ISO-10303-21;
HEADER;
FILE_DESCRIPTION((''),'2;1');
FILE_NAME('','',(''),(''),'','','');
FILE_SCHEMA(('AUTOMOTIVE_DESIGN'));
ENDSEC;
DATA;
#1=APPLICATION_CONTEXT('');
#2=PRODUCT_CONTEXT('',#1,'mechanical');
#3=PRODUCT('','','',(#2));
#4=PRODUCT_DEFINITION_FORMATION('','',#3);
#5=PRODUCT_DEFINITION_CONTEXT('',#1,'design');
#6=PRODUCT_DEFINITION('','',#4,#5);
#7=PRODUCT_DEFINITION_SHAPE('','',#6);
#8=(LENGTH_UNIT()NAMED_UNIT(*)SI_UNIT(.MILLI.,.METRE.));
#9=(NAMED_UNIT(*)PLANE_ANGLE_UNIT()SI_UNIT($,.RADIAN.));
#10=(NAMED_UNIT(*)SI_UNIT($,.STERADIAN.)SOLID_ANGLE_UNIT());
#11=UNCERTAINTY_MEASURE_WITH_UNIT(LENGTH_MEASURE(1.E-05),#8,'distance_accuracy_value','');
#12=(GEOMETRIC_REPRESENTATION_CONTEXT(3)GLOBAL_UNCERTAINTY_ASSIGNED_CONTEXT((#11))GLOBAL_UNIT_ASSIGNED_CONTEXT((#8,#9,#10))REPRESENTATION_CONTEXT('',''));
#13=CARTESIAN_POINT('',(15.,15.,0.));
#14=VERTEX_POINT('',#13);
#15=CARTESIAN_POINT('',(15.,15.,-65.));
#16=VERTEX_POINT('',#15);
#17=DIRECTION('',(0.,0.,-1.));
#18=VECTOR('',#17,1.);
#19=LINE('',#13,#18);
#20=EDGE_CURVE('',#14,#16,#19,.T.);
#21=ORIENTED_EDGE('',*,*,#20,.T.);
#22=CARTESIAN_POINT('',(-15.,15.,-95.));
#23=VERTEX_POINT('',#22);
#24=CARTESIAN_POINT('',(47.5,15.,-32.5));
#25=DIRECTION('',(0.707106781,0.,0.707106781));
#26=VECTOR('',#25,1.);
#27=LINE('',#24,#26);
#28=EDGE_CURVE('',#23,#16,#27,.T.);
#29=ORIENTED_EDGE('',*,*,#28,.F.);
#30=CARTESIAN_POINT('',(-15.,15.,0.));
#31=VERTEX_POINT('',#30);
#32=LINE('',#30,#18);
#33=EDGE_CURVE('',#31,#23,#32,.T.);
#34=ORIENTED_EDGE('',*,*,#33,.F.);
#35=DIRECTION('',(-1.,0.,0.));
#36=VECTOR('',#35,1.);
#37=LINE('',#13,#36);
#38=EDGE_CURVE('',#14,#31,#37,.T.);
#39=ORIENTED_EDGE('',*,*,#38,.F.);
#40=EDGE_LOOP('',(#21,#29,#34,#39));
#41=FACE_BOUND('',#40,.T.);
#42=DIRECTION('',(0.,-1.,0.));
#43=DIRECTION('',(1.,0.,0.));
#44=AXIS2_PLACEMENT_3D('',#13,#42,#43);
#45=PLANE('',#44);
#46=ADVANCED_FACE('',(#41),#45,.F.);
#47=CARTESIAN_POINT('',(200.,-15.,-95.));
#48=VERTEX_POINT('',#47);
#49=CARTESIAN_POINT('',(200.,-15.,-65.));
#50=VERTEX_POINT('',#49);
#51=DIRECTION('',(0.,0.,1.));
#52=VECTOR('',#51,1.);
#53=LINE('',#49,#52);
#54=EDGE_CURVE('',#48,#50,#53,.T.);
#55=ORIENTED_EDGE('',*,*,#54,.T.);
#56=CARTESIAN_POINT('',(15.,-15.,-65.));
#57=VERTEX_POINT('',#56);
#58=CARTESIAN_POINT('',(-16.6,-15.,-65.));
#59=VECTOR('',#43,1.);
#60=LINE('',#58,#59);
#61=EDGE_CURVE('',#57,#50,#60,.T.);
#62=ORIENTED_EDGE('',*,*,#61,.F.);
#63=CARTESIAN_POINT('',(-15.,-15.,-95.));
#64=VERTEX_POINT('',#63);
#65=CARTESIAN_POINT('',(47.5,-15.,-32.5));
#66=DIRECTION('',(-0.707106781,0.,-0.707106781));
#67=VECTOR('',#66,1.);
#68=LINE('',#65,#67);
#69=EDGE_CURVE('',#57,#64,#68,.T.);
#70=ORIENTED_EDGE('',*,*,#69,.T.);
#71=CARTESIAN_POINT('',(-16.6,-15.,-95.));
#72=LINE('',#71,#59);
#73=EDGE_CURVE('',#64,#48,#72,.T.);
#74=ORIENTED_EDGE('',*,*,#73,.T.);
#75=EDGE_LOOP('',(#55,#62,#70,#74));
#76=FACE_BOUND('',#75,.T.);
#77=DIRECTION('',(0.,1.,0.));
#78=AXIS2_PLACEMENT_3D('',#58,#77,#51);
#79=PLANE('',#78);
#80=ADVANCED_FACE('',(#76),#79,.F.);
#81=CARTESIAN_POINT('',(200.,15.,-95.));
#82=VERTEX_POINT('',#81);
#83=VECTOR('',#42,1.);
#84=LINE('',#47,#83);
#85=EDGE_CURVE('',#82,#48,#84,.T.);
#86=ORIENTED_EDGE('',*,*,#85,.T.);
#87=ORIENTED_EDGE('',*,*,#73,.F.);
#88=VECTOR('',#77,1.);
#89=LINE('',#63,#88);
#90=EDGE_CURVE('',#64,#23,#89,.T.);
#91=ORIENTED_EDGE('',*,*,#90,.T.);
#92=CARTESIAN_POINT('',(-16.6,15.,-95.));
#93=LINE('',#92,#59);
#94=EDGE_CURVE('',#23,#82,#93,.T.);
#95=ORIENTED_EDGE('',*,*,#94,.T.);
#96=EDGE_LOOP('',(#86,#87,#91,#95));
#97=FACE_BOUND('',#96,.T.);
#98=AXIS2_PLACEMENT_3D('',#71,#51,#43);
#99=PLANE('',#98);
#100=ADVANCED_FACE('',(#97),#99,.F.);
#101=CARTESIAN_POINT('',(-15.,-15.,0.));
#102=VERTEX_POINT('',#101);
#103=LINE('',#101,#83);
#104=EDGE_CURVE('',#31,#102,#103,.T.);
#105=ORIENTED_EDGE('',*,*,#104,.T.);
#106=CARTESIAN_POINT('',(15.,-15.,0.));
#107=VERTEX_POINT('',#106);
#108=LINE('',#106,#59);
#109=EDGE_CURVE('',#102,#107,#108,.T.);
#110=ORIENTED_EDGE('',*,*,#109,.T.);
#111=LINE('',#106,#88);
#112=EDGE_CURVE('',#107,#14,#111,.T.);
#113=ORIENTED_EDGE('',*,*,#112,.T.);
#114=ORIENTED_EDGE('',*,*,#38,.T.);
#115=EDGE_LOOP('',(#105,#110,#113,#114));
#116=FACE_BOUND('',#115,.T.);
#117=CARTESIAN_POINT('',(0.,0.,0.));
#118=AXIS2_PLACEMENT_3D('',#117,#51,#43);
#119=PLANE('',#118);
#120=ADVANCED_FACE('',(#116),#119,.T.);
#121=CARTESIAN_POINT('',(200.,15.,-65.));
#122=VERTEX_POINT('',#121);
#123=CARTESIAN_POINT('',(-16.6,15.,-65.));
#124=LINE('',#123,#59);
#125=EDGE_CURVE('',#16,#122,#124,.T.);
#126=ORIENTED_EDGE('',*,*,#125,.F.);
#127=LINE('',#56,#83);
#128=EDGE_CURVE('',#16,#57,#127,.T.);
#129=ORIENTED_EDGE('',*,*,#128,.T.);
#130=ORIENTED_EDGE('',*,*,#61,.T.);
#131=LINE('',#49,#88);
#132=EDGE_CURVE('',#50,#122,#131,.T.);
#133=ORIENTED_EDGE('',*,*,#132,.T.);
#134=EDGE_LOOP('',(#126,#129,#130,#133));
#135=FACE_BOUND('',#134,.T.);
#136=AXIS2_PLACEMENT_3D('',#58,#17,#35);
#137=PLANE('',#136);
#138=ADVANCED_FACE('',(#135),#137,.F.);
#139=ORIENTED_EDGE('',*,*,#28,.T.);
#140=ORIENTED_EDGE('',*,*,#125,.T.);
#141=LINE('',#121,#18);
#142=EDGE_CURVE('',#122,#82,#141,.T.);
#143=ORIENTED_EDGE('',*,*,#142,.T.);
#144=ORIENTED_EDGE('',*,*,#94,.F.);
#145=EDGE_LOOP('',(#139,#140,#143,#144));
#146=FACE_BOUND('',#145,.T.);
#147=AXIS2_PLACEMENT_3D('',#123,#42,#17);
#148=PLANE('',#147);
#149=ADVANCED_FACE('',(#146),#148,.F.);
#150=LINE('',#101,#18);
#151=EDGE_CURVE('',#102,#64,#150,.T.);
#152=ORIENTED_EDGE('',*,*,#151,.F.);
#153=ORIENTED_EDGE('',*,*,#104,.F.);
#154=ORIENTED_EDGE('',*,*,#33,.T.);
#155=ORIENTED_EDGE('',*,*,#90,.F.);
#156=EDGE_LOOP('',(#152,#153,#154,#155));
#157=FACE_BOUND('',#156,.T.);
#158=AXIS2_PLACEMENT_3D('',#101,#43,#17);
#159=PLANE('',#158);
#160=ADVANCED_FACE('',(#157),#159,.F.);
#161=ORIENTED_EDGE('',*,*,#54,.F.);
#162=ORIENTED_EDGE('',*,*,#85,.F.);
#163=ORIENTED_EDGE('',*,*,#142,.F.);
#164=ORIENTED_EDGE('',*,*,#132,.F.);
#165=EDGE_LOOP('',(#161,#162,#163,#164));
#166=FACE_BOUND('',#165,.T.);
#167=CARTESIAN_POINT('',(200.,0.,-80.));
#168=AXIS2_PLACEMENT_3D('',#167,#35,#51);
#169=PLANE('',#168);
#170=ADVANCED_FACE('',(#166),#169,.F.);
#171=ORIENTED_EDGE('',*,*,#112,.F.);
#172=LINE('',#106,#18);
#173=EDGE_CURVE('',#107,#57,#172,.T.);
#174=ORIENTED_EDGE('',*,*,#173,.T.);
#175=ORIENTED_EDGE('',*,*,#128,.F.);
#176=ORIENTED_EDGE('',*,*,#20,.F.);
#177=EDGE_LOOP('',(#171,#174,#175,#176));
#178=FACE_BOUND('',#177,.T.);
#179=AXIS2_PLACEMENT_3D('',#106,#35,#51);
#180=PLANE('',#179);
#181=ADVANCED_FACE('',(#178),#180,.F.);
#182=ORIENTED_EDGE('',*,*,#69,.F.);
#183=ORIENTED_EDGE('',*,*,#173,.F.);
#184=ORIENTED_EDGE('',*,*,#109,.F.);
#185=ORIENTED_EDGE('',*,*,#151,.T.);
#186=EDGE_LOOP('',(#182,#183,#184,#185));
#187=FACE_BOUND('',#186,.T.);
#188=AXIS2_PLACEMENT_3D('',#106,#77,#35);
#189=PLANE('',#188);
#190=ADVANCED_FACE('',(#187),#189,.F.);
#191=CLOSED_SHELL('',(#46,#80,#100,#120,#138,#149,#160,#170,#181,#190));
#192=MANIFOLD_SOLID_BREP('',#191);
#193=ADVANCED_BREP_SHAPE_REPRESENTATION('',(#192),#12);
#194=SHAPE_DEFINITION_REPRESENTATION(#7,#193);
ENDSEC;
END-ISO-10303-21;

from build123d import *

# Parameters (mm, degrees)
SKETCH1_W = 30
SKETCH1_H = 30


with BuildPart() as part:
    # Sweep1: sweep along a path in Sketch2
    with BuildLine(Plane(origin=(0, 0, 0), x_dir=(1, 0, 0), z_dir=(0, 1, 0))) as sweep1_path:
        Line((0, 0), (0, 80))
        Line((0, 80), (200, 80))
    # Sketch1 → Sweep1 (sweep)
    with BuildSketch(Plane.XY):
        Rectangle(SKETCH1_W, SKETCH1_H)
    sweep(path=sweep1_path.line, transition=Transition.RIGHT)


solid = part.part
